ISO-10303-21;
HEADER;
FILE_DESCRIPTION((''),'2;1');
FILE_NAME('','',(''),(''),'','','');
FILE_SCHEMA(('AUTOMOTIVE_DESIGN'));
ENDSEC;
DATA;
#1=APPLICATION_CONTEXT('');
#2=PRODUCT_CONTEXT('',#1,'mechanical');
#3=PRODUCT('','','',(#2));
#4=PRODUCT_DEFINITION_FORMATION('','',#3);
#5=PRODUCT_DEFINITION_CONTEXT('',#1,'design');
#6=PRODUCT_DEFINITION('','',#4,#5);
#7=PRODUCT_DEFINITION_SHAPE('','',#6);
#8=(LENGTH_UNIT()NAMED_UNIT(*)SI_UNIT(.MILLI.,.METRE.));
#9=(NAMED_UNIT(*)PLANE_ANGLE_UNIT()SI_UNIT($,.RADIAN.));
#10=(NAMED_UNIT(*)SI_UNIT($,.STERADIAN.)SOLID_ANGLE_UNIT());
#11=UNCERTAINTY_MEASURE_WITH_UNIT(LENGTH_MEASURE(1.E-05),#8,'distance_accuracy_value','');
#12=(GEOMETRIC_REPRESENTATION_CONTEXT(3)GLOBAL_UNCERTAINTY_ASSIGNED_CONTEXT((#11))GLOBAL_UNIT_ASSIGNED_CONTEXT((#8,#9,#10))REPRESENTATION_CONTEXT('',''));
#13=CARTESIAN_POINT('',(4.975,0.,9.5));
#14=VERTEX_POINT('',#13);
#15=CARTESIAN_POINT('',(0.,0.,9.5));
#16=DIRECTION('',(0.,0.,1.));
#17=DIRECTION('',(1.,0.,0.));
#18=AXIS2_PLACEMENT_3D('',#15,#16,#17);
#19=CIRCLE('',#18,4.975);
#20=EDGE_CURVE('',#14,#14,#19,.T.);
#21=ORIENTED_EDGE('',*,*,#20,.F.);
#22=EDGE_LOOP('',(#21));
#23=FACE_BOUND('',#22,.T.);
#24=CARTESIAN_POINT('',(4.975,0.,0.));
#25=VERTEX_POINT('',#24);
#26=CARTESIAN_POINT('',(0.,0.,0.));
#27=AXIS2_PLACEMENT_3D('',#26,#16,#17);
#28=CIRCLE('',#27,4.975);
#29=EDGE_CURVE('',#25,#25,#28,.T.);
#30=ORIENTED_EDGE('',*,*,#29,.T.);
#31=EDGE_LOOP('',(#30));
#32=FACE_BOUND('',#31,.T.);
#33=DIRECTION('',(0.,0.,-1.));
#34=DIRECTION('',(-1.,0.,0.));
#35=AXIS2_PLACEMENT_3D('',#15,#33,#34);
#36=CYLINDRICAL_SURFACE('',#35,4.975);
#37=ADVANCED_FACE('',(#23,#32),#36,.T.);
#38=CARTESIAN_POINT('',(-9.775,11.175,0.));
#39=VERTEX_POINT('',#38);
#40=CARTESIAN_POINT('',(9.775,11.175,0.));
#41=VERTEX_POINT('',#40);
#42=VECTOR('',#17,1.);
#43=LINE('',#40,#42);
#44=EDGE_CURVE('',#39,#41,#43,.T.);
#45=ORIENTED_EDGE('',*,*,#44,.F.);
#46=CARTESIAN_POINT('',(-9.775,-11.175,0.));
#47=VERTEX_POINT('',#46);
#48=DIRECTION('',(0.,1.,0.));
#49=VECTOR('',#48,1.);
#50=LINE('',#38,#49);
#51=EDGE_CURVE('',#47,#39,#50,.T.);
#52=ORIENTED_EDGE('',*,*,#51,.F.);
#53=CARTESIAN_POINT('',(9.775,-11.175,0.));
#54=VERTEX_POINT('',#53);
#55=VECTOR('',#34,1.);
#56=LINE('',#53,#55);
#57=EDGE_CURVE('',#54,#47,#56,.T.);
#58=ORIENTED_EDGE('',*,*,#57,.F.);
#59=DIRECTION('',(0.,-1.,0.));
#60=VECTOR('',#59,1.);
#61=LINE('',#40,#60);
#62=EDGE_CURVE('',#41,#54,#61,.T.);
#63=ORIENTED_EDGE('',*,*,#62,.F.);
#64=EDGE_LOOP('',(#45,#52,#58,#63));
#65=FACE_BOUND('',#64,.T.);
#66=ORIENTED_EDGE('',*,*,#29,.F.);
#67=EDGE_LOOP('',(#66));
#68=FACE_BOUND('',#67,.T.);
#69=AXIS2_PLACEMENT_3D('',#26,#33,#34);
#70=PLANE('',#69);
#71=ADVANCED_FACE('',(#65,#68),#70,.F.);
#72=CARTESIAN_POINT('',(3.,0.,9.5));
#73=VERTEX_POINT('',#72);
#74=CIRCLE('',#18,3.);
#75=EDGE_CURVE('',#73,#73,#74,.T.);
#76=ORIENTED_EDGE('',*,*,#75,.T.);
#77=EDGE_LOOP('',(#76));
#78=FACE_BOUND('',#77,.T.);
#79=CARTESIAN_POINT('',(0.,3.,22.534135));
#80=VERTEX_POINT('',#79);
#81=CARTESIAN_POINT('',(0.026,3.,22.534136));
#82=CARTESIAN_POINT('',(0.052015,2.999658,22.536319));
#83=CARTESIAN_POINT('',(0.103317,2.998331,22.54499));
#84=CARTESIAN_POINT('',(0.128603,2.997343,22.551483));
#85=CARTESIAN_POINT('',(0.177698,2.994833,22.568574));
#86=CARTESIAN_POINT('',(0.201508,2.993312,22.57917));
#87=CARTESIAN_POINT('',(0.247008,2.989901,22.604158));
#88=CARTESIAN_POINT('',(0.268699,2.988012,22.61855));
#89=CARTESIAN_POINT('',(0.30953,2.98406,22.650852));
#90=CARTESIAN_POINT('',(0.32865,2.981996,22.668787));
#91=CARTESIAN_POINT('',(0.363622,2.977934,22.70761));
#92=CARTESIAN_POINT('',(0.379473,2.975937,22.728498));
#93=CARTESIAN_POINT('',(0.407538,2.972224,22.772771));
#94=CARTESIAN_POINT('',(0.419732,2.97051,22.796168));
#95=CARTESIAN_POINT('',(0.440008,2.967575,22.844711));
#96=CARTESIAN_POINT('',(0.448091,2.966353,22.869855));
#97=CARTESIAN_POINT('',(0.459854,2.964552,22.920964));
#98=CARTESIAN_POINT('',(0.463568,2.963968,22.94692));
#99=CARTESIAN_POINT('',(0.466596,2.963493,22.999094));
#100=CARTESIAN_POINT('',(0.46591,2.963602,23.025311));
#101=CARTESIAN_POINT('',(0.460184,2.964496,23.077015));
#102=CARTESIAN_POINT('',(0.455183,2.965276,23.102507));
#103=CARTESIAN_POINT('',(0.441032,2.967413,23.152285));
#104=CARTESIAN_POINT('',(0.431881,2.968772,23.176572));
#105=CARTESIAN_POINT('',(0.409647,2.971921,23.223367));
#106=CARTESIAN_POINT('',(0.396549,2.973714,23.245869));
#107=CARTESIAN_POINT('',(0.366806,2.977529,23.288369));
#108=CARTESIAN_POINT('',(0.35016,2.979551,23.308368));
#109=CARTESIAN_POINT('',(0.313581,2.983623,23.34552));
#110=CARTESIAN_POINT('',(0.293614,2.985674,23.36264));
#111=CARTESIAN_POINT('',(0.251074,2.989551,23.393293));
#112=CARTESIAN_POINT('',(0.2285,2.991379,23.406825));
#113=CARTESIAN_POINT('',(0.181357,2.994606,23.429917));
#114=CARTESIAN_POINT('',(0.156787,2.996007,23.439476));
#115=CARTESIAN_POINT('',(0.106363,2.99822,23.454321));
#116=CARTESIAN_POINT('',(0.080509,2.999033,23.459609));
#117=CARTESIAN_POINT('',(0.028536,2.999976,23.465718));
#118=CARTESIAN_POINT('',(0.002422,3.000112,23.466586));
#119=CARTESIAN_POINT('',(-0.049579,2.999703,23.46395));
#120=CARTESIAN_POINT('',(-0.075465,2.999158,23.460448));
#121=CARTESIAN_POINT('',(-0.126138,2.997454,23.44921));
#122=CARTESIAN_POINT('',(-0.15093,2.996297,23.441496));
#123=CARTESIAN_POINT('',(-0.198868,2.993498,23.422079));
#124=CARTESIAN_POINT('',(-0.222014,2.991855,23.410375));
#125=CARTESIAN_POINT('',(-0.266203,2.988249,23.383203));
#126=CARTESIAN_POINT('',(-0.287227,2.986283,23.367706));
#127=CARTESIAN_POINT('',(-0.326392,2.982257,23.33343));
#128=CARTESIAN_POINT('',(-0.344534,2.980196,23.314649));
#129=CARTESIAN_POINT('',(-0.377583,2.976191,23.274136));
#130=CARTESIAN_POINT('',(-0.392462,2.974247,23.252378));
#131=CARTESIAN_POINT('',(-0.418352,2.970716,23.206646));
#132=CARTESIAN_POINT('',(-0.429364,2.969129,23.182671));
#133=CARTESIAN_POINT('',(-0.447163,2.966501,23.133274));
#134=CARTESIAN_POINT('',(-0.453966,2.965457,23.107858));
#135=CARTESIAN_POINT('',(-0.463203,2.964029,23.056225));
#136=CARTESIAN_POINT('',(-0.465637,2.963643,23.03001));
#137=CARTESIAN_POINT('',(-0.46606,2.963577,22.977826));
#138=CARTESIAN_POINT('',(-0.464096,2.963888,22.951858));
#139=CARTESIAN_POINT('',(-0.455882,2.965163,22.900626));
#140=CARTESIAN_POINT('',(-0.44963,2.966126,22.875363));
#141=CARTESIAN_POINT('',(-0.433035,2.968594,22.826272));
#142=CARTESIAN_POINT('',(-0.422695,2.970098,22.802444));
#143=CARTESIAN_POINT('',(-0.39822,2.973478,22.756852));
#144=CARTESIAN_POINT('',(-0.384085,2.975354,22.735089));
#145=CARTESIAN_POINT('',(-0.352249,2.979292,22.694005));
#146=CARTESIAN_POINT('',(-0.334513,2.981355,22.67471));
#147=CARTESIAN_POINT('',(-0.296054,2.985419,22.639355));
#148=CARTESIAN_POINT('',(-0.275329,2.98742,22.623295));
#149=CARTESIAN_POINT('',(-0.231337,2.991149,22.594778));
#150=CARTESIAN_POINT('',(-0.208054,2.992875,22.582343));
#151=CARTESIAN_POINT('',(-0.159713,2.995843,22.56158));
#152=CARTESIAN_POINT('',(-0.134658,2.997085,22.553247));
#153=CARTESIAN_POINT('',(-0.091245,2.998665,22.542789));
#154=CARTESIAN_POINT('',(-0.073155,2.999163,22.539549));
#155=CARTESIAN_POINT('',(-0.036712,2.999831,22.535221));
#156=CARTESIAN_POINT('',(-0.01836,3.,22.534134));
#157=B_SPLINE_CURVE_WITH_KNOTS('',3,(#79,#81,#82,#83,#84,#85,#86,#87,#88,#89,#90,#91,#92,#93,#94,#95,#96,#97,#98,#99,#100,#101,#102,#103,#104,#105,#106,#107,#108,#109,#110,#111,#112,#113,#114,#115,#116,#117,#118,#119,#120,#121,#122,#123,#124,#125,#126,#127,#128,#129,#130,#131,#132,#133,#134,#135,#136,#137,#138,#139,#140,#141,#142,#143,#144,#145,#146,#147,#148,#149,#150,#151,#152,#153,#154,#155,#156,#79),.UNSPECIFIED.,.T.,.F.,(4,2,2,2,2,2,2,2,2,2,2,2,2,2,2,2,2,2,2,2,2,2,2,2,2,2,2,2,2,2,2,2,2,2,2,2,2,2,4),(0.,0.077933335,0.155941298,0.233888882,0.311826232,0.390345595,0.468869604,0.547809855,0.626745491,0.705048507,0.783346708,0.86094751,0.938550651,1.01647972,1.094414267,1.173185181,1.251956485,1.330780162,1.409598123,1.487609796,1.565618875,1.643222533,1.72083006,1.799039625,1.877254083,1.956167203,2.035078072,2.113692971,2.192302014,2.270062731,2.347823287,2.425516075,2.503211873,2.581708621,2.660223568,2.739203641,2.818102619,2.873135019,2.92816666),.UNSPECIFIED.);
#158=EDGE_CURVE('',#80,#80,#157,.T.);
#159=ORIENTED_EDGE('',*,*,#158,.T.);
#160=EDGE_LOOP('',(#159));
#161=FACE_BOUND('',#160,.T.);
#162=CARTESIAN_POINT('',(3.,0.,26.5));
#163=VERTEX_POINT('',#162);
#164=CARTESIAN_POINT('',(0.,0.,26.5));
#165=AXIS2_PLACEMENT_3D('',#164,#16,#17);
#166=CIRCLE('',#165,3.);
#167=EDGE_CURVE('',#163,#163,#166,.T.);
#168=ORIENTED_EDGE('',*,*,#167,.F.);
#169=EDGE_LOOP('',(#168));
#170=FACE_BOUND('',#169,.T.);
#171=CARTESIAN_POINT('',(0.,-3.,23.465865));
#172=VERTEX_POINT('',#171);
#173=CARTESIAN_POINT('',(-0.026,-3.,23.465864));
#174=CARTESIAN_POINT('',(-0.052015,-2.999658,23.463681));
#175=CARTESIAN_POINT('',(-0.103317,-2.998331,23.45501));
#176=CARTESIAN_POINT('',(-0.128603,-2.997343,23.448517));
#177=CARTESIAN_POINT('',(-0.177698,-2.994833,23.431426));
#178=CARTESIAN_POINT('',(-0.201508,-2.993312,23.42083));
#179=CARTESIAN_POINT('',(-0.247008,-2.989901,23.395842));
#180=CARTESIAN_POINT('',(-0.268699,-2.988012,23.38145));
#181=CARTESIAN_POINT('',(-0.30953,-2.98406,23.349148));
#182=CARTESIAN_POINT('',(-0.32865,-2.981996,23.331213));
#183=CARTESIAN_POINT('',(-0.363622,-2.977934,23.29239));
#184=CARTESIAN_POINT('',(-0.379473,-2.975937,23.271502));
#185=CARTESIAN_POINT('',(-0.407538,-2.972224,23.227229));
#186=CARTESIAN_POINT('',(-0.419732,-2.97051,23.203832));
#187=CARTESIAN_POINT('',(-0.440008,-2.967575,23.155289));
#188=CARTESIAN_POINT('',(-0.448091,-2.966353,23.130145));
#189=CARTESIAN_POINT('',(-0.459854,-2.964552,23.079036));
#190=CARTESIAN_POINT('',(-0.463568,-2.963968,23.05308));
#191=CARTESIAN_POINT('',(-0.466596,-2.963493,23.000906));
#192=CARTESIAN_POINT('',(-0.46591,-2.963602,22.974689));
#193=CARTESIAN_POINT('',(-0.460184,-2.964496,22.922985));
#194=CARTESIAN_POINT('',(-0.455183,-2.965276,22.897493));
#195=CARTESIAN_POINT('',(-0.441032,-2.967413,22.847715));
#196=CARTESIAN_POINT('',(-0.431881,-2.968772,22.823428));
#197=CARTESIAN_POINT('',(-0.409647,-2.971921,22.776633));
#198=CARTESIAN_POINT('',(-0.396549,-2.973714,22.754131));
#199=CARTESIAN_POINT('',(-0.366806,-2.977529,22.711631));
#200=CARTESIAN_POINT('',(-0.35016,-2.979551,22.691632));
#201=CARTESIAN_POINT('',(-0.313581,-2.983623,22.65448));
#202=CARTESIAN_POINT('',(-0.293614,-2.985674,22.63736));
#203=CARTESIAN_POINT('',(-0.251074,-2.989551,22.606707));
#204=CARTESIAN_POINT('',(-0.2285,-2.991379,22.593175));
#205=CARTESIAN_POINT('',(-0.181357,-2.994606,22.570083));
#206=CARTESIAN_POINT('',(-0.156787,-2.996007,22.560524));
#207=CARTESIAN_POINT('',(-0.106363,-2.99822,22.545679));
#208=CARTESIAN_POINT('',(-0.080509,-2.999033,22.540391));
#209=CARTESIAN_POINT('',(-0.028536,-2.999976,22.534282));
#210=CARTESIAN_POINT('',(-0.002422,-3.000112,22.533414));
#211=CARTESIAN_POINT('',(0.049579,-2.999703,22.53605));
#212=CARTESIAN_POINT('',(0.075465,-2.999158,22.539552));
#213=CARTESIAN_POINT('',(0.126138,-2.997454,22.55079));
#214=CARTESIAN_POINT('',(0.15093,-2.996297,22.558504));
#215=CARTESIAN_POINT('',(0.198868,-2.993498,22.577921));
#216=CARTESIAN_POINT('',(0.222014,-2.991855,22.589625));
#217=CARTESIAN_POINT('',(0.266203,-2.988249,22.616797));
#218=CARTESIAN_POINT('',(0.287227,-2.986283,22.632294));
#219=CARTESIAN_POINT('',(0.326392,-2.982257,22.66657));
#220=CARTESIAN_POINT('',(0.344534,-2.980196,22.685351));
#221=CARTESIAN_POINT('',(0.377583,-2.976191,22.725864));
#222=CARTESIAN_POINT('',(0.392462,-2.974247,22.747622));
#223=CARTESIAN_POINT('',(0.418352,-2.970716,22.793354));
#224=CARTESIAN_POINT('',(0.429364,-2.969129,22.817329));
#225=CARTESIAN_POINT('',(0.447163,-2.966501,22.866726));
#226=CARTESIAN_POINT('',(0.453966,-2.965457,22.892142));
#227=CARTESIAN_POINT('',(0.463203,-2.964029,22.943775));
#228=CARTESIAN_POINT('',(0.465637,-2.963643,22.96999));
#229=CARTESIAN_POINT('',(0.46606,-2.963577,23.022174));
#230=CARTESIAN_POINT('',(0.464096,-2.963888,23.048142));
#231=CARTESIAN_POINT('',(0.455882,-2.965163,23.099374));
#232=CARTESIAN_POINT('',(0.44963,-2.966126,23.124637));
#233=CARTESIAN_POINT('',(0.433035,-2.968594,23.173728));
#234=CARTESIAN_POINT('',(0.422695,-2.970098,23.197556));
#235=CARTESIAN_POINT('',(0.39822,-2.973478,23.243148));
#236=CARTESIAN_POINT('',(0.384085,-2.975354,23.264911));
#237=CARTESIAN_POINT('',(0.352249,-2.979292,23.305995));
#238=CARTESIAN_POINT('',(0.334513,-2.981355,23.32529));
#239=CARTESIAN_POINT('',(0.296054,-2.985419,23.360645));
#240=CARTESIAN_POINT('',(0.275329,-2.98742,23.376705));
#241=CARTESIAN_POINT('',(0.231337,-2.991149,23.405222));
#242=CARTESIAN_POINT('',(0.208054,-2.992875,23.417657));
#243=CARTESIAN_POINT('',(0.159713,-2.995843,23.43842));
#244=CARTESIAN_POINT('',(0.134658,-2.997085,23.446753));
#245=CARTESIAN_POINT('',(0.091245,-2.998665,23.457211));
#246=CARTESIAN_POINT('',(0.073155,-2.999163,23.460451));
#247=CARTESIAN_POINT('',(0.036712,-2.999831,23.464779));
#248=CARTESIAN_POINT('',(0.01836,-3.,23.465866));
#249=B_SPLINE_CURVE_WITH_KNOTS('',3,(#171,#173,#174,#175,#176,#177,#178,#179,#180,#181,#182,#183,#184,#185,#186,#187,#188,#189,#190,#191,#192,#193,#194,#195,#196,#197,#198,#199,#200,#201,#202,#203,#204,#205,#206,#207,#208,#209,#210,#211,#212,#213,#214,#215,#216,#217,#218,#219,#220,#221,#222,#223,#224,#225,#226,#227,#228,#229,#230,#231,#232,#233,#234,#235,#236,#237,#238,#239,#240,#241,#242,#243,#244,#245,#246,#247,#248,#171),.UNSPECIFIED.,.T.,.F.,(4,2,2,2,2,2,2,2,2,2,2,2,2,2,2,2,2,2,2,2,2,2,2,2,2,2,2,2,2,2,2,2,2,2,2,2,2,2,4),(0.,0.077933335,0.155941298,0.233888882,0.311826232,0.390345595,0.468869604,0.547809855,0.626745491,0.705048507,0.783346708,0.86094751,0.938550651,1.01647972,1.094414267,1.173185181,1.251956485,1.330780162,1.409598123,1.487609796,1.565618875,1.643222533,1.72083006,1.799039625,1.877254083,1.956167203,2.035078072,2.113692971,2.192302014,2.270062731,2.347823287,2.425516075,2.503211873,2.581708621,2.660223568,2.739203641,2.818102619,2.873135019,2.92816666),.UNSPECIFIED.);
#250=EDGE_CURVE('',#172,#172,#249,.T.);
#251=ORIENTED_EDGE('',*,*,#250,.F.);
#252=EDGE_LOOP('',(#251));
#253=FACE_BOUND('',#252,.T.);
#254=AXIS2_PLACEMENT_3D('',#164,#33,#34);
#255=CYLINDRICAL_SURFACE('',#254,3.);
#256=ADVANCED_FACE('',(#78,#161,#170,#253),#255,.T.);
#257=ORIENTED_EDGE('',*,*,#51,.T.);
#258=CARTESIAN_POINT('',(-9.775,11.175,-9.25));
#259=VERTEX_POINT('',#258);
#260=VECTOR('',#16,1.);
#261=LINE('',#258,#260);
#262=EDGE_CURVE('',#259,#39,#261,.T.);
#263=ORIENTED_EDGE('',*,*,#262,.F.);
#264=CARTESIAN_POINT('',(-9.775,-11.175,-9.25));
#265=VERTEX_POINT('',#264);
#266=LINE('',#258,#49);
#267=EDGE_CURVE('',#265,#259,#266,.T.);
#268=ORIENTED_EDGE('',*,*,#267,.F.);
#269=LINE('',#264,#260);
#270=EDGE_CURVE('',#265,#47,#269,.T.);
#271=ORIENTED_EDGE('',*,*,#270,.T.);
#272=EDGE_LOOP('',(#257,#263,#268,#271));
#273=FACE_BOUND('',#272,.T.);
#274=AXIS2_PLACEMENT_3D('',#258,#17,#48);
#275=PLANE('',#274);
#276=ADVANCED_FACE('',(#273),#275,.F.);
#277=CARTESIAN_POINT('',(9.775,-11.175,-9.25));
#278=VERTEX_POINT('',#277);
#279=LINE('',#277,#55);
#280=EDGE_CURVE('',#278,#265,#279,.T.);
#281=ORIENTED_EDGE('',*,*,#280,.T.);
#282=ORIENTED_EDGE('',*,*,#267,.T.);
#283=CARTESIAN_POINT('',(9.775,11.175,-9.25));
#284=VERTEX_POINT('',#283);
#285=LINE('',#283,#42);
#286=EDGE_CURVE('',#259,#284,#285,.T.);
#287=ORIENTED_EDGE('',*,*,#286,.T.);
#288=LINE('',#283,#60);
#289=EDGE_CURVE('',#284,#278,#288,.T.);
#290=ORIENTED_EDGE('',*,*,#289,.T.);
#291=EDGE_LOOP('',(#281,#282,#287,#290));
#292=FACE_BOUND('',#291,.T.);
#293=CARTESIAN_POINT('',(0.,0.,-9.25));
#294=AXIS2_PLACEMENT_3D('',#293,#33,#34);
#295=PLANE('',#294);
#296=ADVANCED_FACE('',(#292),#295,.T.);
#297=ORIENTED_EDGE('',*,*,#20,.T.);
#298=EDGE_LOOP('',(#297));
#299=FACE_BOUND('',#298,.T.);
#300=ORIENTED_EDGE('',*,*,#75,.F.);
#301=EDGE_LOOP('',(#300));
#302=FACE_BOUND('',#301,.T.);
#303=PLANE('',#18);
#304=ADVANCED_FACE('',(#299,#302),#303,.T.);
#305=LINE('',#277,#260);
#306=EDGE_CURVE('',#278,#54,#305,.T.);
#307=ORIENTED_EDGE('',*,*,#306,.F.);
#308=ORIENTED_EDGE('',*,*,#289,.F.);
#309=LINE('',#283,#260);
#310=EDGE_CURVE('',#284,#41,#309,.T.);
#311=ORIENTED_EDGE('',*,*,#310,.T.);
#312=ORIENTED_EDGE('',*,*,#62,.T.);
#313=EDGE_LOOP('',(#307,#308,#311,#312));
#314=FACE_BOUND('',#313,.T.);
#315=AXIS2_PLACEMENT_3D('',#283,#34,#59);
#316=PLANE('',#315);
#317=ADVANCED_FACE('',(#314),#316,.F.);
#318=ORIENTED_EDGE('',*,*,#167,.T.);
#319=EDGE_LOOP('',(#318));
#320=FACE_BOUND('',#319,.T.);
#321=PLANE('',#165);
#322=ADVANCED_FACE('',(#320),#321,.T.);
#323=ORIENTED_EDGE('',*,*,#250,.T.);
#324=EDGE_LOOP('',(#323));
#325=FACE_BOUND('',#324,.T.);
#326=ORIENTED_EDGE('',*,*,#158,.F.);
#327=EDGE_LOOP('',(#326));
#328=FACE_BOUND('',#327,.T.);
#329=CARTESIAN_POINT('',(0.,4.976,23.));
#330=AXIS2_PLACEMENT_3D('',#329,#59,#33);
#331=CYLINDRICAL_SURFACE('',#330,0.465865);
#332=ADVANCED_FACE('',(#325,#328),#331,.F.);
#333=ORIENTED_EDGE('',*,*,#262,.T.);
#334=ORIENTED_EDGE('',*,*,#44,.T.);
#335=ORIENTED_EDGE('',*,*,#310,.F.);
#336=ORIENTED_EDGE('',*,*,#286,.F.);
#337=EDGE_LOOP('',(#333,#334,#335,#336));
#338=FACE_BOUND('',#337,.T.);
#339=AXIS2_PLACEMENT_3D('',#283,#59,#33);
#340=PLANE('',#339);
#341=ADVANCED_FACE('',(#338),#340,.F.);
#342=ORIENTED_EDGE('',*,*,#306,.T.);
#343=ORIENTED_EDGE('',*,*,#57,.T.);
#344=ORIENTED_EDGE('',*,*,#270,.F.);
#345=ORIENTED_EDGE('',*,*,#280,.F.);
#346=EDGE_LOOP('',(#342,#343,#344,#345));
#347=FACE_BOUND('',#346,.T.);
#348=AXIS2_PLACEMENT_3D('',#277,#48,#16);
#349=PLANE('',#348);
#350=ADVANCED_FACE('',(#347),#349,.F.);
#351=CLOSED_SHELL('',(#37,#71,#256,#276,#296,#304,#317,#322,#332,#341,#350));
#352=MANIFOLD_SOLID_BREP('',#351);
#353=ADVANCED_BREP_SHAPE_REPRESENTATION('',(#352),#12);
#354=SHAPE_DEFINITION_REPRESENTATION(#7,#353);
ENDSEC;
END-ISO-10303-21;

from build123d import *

# Parameters (mm, degrees)
SKETCH1_R                      = 4.975
BOSS_EXTRUDE1_DEPTH            = 9.5
SKETCH2_R                      = 3
BOSS_EXTRUDE2_DEPTH            = 17
CUT_EXTRUDE1_REACH             = 6.975
SKETCH3_R                      = 0.465864979
CUT_EXTRUDE1_DIRECTION_2_REACH = 6.975
SKETCH5_W                      = 19.55
SKETCH5_H                      = 22.35
BOSS_EXTRUDE4_DEPTH            = 9.25


with BuildPart() as part:
    # Sketch1 → Boss-Extrude1 (new body)
    with BuildSketch(Plane.XY):
        Circle(SKETCH1_R)
    extrude(amount=BOSS_EXTRUDE1_DEPTH)

    # Sketch2 → Boss-Extrude2 (add)
    with BuildSketch(Plane.XY.offset(9.5)):
        Circle(SKETCH2_R)
    extrude(amount=BOSS_EXTRUDE2_DEPTH)

    # Sketch3 → Cut-Extrude1 (cut, up to next)
    with BuildSketch(Plane(origin=(0, 0, 0), x_dir=(1, 0, 0), z_dir=(0, 1, 0)), mode=Mode.PRIVATE) as cut_extrude1_sk1:
        with Locations((0, -23)):
            Circle(SKETCH3_R)
    cut_extrude1_tool1 = extrude(cut_extrude1_sk1.sketch, amount=-CUT_EXTRUDE1_REACH, mode=Mode.PRIVATE) & part.part
    add(cut_extrude1_tool1.solids().sort_by_distance((0, 0, 23))[0], mode=Mode.SUBTRACT)

    # Sketch3 → Cut-Extrude1 direction 2 (cut, up to next)
    with BuildSketch(Plane(origin=(0, 0, 0), x_dir=(1, 0, 0), z_dir=(0, 1, 0)), mode=Mode.PRIVATE) as cut_extrude1_direction_2_sk1:
        with Locations((0, -23)):
            Circle(SKETCH3_R)
    cut_extrude1_direction_2_tool1 = extrude(cut_extrude1_direction_2_sk1.sketch, amount=CUT_EXTRUDE1_DIRECTION_2_REACH, mode=Mode.PRIVATE) & part.part
    add(cut_extrude1_direction_2_tool1.solids().sort_by_distance((0, 0, 23))[0], mode=Mode.SUBTRACT)

    # Sketch5 → Boss-Extrude4 (add)
    with BuildSketch(Plane(origin=(0, 0, 0), x_dir=(-1, 0, 0), z_dir=(0, 0, -1))):
        Rectangle(SKETCH5_W, SKETCH5_H)
    extrude(amount=BOSS_EXTRUDE4_DEPTH)


solid = part.part
